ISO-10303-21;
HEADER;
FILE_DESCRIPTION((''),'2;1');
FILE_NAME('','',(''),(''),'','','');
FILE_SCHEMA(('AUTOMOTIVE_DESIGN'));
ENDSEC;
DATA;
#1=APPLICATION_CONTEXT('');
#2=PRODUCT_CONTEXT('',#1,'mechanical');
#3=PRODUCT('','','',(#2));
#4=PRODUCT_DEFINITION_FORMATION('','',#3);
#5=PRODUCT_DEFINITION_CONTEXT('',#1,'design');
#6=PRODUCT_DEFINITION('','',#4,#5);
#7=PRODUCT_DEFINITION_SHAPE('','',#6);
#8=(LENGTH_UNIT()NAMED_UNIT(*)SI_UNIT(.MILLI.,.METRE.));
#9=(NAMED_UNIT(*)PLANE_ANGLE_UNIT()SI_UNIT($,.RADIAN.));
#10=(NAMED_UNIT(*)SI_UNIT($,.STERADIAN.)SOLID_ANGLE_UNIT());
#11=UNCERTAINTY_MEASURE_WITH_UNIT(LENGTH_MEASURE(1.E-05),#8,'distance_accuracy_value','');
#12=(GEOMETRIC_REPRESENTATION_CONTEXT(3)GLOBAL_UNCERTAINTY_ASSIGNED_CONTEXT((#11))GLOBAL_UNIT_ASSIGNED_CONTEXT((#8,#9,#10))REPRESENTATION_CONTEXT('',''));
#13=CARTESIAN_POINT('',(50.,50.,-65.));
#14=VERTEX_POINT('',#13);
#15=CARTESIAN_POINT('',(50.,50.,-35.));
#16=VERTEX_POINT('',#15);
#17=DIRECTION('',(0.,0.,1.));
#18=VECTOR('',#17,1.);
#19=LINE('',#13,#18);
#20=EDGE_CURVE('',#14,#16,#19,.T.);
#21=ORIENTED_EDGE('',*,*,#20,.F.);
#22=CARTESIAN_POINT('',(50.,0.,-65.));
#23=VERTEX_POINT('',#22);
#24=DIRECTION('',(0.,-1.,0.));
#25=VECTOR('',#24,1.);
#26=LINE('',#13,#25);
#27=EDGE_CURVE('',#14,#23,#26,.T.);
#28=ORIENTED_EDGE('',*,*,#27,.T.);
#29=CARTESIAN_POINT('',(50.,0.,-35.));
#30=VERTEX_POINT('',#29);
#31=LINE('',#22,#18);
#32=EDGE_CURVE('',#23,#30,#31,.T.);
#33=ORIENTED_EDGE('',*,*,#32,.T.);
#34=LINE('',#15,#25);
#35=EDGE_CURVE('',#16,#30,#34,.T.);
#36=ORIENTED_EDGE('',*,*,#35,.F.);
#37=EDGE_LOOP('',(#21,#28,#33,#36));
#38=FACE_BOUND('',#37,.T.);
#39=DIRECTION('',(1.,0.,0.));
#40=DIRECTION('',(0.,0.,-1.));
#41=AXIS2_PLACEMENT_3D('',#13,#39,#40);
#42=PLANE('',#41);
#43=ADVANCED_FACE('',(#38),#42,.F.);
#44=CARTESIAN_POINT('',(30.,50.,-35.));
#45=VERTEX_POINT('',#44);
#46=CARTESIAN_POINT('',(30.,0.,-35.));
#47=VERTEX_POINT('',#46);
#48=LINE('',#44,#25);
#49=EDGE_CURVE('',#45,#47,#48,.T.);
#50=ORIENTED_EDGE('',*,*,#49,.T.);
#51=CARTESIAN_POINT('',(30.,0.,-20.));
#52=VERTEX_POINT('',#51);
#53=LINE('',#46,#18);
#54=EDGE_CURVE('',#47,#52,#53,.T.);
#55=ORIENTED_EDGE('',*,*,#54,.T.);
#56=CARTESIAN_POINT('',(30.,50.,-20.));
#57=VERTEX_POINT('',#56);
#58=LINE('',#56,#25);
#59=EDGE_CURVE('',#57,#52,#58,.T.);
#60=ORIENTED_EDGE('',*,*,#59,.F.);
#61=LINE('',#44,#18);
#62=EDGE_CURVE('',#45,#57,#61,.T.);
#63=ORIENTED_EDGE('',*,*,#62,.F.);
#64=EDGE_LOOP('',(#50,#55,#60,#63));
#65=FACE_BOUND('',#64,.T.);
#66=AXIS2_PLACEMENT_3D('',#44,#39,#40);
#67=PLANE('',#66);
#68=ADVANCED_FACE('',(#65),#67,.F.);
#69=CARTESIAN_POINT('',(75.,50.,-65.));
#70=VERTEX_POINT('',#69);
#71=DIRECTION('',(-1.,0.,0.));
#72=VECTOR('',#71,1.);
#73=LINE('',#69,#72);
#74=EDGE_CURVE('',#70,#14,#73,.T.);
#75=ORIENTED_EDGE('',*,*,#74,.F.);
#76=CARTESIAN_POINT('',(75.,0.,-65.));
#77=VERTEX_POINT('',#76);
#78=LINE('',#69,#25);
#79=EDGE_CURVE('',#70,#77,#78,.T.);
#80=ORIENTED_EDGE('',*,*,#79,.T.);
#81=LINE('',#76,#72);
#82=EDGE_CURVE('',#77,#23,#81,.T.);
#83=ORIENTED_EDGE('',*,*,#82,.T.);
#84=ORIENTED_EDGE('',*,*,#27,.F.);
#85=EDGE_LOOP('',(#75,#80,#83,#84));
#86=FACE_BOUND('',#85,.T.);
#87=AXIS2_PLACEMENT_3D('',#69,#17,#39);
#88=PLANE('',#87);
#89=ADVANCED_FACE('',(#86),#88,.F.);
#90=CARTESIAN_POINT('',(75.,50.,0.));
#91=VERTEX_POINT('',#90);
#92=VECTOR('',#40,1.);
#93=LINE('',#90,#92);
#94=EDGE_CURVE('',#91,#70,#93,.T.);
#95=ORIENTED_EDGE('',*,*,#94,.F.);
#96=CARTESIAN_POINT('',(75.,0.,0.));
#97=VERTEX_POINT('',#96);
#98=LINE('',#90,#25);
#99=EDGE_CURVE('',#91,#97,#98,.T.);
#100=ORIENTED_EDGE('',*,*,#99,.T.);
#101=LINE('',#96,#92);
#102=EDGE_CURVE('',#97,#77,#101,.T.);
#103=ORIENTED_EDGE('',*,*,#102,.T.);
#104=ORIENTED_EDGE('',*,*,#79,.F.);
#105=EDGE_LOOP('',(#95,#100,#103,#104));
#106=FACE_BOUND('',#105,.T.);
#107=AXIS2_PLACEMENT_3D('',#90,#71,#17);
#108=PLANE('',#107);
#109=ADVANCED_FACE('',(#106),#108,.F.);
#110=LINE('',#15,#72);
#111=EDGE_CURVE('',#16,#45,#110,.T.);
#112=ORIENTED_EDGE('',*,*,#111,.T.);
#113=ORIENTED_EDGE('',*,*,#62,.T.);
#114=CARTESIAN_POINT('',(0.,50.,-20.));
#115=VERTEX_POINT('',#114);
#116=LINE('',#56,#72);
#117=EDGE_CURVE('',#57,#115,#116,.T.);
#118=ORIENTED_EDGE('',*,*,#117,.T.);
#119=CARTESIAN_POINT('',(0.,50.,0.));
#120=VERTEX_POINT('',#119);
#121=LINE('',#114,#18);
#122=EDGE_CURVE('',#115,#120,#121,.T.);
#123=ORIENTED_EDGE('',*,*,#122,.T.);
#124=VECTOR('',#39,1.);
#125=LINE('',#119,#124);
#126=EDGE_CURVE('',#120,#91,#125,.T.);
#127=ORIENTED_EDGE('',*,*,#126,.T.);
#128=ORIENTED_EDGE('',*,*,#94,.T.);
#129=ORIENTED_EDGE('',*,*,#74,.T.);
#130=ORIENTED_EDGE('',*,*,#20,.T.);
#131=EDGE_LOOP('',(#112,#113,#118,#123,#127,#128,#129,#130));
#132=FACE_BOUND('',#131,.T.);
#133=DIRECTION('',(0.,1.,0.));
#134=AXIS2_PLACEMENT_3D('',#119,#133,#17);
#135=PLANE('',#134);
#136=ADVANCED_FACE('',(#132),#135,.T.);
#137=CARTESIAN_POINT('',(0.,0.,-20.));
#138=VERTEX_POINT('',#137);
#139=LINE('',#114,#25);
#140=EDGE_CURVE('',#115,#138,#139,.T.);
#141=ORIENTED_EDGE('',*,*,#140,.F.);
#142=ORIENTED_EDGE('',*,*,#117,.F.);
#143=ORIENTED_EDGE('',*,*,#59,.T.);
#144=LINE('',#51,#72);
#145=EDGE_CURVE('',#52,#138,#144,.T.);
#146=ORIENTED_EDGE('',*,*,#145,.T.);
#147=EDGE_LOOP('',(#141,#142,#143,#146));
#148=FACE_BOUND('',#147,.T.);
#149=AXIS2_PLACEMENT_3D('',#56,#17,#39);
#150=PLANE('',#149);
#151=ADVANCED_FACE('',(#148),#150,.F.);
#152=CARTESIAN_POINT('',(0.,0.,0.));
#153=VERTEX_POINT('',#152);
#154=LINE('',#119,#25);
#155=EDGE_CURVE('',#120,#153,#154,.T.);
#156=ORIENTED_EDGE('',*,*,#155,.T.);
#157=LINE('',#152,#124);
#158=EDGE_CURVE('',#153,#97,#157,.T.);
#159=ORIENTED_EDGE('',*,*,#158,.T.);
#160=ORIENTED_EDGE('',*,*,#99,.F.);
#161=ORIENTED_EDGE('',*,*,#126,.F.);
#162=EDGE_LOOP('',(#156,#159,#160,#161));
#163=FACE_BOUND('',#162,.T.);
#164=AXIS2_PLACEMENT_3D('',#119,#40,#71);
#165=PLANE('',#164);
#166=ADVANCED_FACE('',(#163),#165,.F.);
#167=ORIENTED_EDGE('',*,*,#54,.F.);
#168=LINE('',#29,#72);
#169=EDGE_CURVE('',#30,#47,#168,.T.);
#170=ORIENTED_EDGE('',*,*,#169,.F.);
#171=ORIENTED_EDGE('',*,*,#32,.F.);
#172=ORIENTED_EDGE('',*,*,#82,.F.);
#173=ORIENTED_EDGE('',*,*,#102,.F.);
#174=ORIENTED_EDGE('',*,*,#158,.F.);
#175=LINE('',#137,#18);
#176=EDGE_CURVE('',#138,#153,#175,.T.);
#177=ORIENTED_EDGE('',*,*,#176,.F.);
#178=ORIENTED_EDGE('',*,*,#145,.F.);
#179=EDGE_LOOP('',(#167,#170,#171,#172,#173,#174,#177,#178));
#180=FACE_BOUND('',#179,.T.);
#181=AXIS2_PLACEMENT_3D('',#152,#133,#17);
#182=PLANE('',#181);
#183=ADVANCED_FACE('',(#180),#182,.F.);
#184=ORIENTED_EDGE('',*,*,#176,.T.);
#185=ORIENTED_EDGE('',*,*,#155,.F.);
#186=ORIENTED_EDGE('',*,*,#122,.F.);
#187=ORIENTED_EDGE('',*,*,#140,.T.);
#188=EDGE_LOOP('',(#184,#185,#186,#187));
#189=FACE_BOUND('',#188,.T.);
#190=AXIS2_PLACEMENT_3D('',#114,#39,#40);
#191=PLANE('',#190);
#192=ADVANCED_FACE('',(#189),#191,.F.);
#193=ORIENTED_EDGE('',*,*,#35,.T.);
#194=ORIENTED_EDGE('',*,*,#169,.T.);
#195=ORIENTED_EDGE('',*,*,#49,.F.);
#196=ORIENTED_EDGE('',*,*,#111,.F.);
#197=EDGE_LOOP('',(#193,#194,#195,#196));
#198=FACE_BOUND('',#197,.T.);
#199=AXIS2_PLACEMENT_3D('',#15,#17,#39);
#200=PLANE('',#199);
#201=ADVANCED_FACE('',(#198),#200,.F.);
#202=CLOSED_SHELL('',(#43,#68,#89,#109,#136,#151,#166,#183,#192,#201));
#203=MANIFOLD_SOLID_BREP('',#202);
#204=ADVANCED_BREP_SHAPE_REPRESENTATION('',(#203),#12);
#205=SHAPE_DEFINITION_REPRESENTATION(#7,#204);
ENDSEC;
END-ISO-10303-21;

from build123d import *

# Parameters (mm, degrees)
BOSS_EXTRUDE1_DEPTH = 50


with BuildPart() as part:
    # Sketch1 → Boss-Extrude1 (new body)
    with BuildSketch(Plane(origin=(0, 0, 0), x_dir=(1, 0, 0), z_dir=(0, 1, 0))):
        Polygon((0, 0), (75, 0), (75, 65), (50, 65), (50, 35), (30, 35), (30, 20), (0, 20), align=None)
    extrude(amount=BOSS_EXTRUDE1_DEPTH)


solid = part.part
